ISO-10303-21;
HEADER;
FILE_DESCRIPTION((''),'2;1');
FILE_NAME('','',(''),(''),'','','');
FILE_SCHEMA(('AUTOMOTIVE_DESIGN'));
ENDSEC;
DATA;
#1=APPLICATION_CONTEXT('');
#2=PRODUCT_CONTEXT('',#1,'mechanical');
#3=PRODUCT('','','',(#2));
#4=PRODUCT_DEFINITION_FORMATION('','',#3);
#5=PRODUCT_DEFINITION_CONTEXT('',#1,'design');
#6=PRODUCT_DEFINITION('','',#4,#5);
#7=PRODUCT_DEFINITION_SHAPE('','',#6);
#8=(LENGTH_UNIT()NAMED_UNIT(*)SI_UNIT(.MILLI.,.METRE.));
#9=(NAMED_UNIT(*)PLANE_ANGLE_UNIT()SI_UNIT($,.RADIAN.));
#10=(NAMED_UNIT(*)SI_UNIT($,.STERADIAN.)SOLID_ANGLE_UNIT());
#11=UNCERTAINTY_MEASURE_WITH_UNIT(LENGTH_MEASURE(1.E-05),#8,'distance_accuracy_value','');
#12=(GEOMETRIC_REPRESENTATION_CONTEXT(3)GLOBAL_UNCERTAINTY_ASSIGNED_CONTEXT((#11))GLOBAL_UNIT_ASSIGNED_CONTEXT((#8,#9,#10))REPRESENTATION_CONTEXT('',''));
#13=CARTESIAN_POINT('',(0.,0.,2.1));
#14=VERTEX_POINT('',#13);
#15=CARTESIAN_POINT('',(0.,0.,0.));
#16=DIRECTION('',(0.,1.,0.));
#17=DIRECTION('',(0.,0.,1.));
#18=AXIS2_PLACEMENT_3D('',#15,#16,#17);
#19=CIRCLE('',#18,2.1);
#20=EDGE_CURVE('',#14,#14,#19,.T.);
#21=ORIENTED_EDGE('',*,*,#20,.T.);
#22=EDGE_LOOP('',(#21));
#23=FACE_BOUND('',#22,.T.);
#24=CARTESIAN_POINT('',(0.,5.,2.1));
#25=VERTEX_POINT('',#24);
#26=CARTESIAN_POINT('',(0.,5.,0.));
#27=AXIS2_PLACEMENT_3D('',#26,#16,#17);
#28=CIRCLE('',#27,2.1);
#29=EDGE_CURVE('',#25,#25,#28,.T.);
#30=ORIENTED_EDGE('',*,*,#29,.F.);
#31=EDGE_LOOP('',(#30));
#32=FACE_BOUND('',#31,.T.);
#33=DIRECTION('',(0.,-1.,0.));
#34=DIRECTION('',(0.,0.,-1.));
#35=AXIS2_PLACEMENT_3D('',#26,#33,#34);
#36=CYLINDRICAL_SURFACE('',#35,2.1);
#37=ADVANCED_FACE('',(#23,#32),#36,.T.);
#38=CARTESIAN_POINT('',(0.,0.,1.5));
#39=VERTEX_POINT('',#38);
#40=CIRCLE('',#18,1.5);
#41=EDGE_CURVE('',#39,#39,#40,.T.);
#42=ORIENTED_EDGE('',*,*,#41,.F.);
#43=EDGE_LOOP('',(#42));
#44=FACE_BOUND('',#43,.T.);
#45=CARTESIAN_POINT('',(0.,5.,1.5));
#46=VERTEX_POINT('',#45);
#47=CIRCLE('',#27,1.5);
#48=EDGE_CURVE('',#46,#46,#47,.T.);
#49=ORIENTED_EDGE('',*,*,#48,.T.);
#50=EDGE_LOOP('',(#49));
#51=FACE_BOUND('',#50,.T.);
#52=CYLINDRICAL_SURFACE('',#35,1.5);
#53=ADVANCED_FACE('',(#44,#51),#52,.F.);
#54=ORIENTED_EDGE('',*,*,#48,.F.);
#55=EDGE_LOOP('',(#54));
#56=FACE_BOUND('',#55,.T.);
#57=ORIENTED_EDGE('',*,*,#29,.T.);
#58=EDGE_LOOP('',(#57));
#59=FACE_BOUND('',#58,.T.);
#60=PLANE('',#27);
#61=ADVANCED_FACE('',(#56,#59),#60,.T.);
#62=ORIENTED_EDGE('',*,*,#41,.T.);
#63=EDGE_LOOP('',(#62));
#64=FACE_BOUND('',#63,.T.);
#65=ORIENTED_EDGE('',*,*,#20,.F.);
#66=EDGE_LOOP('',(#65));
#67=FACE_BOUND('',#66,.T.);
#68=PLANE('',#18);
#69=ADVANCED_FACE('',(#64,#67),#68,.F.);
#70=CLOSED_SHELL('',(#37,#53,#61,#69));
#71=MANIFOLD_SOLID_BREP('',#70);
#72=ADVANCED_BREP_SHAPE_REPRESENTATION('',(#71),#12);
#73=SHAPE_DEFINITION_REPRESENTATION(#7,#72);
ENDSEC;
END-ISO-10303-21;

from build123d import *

# Parameters (mm, degrees)
SKETCH_1_R      = 2.1
SKETCH_1_R_2    = 1.5
EXTRUDE_1_DEPTH = 5


with BuildPart() as part:
    # Эскиз1 → Бобышка-Вытянуть1 (new body)
    with BuildSketch(Plane(origin=(0, 0, 0), x_dir=(1, 0, 0), z_dir=(0, 1, 0))):
        with Locations(Location((0, 0, 0), (0, 0, 270))):
            Circle(SKETCH_1_R)
        with Locations(Location((0, 0, 0), (0, 0, 270))):
            Circle(SKETCH_1_R_2, mode=Mode.SUBTRACT)
    extrude(amount=EXTRUDE_1_DEPTH)


solid = part.part
